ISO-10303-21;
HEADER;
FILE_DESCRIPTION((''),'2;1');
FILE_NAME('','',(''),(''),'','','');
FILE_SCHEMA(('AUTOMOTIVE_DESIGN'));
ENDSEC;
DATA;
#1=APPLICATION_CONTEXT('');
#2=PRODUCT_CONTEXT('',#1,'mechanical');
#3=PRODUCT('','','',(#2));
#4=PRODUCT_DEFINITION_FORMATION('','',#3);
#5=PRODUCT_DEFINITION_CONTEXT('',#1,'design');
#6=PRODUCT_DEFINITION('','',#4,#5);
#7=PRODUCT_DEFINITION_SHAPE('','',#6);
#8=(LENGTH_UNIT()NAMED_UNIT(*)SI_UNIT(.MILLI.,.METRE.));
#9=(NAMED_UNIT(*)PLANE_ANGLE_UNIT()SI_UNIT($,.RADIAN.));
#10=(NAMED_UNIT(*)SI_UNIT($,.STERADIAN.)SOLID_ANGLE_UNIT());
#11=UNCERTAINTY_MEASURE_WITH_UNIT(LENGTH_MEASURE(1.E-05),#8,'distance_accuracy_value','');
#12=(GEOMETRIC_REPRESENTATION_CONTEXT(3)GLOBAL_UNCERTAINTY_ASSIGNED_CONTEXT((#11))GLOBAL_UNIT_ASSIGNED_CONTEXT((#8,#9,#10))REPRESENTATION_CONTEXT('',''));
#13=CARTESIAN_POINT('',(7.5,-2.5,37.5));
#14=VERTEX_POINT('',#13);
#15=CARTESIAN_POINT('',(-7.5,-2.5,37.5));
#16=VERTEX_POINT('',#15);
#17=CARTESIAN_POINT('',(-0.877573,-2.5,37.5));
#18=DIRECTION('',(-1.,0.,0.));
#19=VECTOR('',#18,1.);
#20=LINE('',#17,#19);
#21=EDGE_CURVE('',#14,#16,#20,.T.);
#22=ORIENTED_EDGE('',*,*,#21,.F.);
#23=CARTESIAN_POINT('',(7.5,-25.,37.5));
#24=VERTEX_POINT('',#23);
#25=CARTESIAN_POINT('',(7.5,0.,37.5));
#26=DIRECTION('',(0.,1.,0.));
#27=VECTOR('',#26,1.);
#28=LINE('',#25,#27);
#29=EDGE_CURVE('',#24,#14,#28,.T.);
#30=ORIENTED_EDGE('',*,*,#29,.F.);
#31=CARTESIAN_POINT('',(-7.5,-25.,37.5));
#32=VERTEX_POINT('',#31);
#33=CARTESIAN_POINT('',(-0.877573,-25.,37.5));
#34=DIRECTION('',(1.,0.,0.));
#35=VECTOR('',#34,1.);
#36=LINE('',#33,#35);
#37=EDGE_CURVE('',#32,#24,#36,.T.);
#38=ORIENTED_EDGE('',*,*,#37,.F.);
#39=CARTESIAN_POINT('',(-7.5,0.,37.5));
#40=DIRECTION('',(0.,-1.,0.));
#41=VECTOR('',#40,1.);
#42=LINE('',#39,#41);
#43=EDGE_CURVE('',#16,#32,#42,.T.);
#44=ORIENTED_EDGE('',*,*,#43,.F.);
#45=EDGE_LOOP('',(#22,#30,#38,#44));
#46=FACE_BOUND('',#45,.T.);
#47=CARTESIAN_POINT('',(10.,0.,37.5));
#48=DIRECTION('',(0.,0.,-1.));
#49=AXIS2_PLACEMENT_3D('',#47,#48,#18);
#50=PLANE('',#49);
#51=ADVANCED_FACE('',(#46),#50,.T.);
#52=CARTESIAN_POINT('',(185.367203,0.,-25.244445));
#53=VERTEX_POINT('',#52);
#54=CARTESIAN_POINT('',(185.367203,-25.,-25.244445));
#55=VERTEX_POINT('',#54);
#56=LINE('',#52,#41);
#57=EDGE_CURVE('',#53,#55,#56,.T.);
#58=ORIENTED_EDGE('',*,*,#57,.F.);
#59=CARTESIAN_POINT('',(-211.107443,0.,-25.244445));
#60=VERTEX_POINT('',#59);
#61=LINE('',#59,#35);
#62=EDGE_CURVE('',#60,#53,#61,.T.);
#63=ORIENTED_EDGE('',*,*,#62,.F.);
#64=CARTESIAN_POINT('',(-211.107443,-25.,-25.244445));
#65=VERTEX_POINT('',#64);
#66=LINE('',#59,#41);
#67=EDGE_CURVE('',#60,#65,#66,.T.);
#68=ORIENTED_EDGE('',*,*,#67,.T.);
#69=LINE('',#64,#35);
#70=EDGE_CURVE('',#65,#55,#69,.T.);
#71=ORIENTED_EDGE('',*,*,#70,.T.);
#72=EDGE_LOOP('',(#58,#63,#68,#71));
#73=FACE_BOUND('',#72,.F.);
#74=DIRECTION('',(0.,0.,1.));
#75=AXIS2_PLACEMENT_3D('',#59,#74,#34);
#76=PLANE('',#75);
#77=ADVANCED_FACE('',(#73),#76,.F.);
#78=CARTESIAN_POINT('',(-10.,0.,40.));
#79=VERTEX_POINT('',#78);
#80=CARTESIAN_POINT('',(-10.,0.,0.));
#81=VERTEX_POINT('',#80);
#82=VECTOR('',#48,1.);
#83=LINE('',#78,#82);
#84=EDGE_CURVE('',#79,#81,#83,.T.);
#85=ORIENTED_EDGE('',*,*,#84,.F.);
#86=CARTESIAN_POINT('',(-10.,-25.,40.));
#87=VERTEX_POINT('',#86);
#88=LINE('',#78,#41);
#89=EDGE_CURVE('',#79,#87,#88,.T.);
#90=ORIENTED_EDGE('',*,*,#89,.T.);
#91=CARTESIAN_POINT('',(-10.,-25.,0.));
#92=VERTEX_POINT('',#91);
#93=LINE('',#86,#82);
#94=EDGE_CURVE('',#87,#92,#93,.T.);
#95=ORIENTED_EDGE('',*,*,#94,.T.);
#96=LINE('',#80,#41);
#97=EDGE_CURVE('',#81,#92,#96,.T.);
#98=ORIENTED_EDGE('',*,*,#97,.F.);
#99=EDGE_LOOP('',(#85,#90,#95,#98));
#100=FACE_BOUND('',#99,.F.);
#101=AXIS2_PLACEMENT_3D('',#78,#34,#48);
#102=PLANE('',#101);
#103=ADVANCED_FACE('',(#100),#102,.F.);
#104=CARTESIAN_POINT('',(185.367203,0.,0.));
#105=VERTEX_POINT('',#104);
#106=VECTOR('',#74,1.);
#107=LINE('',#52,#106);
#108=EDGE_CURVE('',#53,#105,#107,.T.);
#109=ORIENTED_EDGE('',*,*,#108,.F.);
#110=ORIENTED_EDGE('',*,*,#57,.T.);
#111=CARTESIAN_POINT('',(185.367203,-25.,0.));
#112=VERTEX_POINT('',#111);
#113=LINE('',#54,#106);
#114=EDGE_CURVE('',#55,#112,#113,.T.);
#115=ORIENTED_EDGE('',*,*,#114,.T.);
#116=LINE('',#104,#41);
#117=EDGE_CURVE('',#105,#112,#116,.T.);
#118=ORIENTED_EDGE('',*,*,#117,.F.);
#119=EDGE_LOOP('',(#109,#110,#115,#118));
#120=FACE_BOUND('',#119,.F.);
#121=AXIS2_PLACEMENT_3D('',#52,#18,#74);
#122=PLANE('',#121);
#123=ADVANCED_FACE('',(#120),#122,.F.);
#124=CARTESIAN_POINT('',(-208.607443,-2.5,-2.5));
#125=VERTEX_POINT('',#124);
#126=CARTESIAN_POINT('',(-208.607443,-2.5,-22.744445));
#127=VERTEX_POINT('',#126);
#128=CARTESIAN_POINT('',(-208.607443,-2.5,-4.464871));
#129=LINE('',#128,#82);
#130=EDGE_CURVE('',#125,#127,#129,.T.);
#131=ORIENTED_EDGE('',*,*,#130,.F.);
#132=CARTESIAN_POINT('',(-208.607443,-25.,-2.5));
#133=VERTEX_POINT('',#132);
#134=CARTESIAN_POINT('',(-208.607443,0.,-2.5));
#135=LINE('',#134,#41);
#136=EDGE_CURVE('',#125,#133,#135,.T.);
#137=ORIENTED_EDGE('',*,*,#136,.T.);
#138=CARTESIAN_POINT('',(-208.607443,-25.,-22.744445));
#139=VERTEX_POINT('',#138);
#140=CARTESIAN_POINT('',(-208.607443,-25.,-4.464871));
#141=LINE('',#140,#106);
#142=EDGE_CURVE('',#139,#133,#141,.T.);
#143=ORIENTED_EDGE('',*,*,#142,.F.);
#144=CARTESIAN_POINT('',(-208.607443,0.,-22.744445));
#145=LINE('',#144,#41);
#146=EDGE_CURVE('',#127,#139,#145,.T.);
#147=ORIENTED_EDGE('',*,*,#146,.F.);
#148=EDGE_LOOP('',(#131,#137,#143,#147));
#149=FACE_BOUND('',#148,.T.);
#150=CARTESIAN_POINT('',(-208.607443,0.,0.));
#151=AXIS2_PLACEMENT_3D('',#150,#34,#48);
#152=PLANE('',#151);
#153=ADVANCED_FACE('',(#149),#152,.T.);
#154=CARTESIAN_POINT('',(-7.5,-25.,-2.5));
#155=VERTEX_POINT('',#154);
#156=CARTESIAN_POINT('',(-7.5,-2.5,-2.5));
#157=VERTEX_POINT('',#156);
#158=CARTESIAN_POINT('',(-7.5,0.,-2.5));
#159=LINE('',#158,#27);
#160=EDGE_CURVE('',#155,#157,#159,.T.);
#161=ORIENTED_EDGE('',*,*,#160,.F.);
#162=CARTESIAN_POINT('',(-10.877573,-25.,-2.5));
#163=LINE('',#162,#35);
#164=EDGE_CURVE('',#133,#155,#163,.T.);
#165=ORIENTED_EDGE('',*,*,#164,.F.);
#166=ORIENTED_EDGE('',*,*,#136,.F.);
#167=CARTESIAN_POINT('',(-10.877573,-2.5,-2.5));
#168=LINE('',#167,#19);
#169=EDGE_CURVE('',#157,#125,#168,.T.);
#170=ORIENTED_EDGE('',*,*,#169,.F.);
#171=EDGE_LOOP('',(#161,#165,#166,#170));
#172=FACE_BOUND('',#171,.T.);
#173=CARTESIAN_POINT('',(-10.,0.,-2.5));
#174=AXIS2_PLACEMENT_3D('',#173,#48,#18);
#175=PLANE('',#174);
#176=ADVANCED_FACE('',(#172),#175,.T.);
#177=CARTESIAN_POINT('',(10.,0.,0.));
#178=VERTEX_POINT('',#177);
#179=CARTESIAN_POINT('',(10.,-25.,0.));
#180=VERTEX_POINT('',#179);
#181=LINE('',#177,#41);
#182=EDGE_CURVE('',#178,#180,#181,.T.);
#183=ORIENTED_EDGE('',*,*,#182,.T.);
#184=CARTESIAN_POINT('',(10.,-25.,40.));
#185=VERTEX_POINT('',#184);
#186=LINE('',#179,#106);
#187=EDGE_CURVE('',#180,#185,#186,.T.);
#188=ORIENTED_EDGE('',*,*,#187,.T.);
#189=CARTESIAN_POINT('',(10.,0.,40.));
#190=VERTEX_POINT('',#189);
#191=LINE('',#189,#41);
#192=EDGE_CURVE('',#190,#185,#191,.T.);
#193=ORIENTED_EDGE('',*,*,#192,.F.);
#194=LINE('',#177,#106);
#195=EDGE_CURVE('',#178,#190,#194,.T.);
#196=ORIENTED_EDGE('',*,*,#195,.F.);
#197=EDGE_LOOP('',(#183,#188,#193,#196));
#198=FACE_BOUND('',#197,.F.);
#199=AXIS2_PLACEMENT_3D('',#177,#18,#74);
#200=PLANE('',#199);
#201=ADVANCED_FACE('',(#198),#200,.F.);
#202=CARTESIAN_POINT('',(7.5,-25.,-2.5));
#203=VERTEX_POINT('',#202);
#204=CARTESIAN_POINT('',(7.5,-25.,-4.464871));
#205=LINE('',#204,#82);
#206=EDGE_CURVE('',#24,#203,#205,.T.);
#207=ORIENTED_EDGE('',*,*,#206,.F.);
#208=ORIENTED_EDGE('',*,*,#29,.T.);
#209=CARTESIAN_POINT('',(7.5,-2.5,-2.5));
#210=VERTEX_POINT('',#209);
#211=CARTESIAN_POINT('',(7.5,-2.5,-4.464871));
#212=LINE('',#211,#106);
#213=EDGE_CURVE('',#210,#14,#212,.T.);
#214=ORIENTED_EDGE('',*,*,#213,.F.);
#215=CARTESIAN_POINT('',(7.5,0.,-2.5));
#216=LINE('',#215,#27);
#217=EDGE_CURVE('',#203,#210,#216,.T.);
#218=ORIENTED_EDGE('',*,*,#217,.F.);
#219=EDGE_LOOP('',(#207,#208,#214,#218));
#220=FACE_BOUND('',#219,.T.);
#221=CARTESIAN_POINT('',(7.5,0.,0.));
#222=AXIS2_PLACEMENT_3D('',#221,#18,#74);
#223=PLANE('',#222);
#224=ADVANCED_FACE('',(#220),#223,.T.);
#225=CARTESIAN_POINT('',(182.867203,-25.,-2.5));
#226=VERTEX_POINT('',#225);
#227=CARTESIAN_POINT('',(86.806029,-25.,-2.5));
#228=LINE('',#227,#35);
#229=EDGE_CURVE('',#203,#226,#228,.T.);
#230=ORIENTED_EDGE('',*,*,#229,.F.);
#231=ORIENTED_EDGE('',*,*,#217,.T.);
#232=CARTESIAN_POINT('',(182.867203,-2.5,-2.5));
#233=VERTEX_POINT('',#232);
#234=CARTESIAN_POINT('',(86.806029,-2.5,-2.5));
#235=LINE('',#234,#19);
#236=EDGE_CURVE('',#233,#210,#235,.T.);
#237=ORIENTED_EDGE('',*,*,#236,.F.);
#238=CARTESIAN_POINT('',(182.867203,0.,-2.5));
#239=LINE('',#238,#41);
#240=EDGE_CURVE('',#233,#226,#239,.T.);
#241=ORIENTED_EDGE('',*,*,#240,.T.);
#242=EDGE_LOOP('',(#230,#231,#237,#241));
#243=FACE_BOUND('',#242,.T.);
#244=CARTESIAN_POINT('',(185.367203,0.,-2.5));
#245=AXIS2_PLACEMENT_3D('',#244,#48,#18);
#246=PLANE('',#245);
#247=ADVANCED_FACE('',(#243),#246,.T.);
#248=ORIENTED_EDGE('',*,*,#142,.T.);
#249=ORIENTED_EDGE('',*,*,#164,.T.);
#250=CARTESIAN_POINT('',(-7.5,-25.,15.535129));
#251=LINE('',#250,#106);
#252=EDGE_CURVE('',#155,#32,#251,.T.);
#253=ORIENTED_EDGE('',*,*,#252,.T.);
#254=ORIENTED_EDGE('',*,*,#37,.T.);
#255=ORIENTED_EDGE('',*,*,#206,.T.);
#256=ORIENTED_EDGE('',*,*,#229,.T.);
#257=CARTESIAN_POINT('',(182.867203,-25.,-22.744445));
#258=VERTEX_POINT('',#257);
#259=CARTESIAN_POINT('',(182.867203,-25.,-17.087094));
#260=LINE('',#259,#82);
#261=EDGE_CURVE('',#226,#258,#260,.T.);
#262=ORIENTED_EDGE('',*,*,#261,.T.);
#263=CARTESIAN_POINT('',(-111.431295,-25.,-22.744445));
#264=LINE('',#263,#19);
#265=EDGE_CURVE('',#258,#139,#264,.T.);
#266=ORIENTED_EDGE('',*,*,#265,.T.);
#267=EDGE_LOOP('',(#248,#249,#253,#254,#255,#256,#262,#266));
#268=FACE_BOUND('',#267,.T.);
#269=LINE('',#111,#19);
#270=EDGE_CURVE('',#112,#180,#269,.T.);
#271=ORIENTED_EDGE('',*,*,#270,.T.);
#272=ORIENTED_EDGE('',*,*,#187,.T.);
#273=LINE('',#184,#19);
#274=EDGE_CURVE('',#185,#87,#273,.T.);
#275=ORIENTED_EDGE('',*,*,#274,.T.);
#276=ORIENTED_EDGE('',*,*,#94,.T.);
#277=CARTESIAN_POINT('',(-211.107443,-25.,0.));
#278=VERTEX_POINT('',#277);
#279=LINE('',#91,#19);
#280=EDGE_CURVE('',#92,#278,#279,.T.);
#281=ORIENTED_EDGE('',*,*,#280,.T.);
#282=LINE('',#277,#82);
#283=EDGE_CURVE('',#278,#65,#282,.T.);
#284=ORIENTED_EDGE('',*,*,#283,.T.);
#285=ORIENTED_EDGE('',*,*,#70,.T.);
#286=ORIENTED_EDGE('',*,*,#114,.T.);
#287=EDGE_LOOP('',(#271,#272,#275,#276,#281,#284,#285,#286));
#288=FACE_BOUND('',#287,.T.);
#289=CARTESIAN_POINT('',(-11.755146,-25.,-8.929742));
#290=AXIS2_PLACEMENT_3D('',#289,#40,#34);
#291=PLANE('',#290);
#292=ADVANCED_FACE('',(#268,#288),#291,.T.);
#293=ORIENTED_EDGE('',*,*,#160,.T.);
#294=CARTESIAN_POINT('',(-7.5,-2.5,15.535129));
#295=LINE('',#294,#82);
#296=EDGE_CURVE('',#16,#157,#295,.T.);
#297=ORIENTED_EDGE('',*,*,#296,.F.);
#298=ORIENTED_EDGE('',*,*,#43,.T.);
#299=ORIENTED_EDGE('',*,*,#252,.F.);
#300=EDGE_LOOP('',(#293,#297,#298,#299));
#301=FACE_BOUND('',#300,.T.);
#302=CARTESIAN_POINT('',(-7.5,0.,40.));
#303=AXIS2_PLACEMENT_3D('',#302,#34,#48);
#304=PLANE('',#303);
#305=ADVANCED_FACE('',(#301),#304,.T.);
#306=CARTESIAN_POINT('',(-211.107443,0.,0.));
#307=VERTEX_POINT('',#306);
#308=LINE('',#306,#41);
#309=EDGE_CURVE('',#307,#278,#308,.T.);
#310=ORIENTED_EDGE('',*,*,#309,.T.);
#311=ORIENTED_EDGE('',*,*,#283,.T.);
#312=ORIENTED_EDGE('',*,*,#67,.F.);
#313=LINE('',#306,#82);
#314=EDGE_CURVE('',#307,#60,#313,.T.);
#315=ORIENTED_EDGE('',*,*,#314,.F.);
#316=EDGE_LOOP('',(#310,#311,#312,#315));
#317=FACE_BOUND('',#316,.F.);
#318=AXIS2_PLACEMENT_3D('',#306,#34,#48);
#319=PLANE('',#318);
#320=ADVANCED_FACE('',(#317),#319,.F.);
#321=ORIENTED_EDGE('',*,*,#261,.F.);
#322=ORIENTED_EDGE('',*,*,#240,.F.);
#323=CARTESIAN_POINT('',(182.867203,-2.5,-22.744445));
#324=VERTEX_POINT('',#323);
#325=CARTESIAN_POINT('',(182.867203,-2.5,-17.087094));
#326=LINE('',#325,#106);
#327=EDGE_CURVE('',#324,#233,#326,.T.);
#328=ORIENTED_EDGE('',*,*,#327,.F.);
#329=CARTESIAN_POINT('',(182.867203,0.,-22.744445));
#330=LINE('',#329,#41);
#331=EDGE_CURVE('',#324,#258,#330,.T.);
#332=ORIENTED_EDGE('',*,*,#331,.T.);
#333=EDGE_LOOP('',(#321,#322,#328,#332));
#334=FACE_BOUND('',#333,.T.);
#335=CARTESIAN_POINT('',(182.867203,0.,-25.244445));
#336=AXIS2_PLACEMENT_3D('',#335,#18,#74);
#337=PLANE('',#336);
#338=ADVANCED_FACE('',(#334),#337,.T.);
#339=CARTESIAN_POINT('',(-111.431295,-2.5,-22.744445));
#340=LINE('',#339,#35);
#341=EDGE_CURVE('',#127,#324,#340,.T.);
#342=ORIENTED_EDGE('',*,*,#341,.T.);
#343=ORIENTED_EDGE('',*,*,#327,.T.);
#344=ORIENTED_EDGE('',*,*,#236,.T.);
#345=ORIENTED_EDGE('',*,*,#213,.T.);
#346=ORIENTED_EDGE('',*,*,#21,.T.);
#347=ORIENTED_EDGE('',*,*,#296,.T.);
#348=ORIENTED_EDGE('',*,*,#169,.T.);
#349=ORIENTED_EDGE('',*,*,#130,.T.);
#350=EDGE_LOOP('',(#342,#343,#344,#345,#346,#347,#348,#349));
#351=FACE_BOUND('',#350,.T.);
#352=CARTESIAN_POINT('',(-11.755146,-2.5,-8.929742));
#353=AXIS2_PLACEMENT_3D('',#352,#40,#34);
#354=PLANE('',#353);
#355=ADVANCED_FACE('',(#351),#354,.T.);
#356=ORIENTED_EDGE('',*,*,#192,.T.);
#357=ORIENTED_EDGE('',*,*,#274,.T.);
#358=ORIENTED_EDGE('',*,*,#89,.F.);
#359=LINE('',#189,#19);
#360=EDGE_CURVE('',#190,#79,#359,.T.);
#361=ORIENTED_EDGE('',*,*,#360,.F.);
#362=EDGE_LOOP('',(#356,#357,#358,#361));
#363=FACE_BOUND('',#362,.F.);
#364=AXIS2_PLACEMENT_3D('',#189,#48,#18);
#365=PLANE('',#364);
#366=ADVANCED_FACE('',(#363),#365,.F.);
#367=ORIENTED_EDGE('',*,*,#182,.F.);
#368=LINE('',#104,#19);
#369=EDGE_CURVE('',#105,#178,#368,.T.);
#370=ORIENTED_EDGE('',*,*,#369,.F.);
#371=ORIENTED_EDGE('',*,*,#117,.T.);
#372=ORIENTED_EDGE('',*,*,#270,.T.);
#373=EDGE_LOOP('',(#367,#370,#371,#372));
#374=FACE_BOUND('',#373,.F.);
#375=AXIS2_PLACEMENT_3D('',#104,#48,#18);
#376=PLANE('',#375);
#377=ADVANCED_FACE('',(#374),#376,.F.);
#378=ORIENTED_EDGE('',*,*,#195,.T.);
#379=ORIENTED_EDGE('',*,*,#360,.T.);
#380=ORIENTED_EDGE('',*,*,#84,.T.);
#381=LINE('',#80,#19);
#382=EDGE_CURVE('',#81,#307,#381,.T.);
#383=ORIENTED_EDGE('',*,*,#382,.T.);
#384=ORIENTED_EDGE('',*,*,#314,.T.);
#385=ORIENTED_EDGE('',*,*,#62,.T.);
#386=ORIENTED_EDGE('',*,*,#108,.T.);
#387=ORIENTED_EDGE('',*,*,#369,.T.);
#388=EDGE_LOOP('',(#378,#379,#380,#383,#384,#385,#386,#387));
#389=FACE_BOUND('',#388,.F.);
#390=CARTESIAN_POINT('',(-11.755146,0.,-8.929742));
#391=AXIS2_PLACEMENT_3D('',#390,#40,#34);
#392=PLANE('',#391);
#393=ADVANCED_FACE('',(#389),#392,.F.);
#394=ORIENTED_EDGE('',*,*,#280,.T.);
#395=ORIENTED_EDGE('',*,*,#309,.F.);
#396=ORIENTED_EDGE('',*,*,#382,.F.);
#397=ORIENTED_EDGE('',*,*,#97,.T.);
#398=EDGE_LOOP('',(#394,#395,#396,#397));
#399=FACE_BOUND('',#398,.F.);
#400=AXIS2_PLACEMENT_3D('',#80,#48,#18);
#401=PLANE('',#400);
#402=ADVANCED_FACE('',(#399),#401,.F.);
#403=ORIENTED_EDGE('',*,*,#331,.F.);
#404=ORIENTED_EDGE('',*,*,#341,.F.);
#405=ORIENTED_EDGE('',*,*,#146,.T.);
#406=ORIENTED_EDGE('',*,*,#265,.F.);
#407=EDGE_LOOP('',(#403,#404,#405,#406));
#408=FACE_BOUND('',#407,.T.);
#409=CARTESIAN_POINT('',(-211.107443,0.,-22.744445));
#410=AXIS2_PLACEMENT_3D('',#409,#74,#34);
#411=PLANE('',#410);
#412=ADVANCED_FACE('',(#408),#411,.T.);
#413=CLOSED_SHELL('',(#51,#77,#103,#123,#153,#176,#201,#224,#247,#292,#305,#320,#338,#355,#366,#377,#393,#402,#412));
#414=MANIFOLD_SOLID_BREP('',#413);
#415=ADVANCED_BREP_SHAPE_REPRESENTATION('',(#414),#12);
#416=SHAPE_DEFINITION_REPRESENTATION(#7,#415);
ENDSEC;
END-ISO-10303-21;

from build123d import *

# Parameters (mm, degrees)
F1_DEPTH = 25
F2_T     = -2.5


with BuildPart() as f1:
    # F0 (on Front) → F1 (new body)
    with BuildSketch(Plane.XZ):
        Polygon((10, 40), (-10, 40), (-10, 0), (-211.1074434719, 0), (-211.1074434719, -25.2444452331), (185.367203297, -25.2444452331), (185.367203297, 0), (10, 0), align=None)
    extrude(amount=F1_DEPTH)

    # F2
    f2_openings = [f1.faces().sort_by_distance(p)[0] for p in [
        (-11.917552, -25, -10.207725),
    ]]
    offset(amount=F2_T, openings=f2_openings, kind=Kind.INTERSECTION)


solid = f1.part
